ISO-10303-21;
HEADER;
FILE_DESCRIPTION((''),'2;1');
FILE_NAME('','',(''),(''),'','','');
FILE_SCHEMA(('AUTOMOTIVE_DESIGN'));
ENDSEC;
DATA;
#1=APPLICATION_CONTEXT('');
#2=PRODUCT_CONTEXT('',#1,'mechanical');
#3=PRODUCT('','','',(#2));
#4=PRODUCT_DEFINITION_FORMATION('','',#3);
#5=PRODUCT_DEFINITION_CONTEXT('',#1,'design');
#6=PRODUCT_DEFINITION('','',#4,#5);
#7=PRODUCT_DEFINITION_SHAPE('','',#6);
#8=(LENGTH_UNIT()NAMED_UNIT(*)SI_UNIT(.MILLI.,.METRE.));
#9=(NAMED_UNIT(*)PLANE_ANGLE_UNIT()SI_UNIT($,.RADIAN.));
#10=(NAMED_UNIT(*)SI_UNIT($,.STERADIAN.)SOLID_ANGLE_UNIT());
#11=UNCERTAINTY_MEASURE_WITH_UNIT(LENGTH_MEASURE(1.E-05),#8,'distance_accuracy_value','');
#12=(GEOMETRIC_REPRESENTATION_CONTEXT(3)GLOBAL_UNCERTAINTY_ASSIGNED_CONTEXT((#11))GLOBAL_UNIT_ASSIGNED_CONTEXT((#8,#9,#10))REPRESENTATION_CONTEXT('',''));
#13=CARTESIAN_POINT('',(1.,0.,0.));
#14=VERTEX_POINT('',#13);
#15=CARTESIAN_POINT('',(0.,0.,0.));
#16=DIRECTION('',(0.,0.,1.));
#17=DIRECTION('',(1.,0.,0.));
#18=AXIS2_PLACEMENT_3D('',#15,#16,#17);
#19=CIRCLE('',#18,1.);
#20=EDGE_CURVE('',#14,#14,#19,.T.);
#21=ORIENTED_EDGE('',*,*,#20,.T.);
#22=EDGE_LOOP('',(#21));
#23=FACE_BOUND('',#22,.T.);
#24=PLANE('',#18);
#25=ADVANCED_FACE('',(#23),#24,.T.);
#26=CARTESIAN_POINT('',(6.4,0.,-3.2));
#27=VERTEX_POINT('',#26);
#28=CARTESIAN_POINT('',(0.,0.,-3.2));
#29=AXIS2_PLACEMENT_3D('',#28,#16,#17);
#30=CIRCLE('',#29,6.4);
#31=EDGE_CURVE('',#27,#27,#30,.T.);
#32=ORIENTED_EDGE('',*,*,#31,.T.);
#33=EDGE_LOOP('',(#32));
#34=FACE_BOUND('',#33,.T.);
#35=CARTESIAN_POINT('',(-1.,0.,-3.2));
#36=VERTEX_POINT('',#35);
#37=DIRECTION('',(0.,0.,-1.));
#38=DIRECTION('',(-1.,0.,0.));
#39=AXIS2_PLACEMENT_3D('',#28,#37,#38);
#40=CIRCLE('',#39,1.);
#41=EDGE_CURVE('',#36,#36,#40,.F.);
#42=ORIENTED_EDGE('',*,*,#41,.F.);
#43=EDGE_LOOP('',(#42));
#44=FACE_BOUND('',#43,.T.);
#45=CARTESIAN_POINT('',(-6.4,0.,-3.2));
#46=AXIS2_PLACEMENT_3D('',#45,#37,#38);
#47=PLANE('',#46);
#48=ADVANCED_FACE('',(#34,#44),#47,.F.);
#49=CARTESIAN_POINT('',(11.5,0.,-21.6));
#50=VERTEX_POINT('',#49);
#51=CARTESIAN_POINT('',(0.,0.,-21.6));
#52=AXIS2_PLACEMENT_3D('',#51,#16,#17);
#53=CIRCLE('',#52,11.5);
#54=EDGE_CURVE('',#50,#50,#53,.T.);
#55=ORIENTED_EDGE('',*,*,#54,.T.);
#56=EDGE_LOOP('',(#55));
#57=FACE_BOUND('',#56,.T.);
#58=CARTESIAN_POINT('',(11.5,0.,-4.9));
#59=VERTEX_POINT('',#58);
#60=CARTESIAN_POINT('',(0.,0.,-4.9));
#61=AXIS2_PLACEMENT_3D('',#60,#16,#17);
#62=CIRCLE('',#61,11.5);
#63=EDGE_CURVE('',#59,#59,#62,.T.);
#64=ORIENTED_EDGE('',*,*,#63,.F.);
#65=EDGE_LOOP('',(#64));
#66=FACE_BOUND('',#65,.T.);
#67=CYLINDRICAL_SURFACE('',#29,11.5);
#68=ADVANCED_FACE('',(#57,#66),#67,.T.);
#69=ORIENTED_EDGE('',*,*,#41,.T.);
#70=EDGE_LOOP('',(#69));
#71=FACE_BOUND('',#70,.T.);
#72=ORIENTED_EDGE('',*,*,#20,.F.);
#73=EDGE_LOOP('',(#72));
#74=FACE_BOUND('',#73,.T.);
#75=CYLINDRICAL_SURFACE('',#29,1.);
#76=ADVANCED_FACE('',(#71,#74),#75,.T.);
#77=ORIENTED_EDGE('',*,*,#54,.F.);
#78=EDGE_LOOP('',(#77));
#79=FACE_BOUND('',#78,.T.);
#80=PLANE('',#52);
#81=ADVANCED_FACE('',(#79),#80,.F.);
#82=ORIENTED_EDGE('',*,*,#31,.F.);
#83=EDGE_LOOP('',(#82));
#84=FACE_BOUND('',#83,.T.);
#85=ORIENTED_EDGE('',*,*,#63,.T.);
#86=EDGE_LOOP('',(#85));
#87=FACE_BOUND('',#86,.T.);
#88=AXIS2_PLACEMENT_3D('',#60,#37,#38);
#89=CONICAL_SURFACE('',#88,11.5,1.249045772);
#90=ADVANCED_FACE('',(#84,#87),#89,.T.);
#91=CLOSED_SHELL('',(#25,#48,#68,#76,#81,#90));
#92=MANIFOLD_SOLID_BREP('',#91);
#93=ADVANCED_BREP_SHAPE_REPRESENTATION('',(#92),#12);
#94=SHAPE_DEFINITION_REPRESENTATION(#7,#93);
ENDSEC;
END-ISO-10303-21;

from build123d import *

# Parameters (mm, degrees)
SKETCH1_R           = 1
BOSS_EXTRUDE1_DEPTH = 3.2


with BuildPart() as part:
    # Sketch1 → Boss-Extrude1 (new body)
    with BuildSketch(Plane.XY):
        Circle(SKETCH1_R)
    extrude(amount=-BOSS_EXTRUDE1_DEPTH)

    # Sketch2 → Revolve1 (revolve)
    with BuildSketch(Plane(origin=(0, 0, 0), x_dir=(1, 0, 0), z_dir=(0, 1, 0)), mode=Mode.PRIVATE) as revolve1_sk:
        Polygon((0, 3.2), (0, 21.6), (-11.5, 21.6), (-11.5, 4.9), (-6.4, 3.2), align=None)
    revolve(revolve1_sk.sketch.rotate(Axis((0, 0, -3.2), (0, 0, -1)), 180), axis=Axis((0, 0, -3.2), (0, 0, -1)))


solid = part.part
